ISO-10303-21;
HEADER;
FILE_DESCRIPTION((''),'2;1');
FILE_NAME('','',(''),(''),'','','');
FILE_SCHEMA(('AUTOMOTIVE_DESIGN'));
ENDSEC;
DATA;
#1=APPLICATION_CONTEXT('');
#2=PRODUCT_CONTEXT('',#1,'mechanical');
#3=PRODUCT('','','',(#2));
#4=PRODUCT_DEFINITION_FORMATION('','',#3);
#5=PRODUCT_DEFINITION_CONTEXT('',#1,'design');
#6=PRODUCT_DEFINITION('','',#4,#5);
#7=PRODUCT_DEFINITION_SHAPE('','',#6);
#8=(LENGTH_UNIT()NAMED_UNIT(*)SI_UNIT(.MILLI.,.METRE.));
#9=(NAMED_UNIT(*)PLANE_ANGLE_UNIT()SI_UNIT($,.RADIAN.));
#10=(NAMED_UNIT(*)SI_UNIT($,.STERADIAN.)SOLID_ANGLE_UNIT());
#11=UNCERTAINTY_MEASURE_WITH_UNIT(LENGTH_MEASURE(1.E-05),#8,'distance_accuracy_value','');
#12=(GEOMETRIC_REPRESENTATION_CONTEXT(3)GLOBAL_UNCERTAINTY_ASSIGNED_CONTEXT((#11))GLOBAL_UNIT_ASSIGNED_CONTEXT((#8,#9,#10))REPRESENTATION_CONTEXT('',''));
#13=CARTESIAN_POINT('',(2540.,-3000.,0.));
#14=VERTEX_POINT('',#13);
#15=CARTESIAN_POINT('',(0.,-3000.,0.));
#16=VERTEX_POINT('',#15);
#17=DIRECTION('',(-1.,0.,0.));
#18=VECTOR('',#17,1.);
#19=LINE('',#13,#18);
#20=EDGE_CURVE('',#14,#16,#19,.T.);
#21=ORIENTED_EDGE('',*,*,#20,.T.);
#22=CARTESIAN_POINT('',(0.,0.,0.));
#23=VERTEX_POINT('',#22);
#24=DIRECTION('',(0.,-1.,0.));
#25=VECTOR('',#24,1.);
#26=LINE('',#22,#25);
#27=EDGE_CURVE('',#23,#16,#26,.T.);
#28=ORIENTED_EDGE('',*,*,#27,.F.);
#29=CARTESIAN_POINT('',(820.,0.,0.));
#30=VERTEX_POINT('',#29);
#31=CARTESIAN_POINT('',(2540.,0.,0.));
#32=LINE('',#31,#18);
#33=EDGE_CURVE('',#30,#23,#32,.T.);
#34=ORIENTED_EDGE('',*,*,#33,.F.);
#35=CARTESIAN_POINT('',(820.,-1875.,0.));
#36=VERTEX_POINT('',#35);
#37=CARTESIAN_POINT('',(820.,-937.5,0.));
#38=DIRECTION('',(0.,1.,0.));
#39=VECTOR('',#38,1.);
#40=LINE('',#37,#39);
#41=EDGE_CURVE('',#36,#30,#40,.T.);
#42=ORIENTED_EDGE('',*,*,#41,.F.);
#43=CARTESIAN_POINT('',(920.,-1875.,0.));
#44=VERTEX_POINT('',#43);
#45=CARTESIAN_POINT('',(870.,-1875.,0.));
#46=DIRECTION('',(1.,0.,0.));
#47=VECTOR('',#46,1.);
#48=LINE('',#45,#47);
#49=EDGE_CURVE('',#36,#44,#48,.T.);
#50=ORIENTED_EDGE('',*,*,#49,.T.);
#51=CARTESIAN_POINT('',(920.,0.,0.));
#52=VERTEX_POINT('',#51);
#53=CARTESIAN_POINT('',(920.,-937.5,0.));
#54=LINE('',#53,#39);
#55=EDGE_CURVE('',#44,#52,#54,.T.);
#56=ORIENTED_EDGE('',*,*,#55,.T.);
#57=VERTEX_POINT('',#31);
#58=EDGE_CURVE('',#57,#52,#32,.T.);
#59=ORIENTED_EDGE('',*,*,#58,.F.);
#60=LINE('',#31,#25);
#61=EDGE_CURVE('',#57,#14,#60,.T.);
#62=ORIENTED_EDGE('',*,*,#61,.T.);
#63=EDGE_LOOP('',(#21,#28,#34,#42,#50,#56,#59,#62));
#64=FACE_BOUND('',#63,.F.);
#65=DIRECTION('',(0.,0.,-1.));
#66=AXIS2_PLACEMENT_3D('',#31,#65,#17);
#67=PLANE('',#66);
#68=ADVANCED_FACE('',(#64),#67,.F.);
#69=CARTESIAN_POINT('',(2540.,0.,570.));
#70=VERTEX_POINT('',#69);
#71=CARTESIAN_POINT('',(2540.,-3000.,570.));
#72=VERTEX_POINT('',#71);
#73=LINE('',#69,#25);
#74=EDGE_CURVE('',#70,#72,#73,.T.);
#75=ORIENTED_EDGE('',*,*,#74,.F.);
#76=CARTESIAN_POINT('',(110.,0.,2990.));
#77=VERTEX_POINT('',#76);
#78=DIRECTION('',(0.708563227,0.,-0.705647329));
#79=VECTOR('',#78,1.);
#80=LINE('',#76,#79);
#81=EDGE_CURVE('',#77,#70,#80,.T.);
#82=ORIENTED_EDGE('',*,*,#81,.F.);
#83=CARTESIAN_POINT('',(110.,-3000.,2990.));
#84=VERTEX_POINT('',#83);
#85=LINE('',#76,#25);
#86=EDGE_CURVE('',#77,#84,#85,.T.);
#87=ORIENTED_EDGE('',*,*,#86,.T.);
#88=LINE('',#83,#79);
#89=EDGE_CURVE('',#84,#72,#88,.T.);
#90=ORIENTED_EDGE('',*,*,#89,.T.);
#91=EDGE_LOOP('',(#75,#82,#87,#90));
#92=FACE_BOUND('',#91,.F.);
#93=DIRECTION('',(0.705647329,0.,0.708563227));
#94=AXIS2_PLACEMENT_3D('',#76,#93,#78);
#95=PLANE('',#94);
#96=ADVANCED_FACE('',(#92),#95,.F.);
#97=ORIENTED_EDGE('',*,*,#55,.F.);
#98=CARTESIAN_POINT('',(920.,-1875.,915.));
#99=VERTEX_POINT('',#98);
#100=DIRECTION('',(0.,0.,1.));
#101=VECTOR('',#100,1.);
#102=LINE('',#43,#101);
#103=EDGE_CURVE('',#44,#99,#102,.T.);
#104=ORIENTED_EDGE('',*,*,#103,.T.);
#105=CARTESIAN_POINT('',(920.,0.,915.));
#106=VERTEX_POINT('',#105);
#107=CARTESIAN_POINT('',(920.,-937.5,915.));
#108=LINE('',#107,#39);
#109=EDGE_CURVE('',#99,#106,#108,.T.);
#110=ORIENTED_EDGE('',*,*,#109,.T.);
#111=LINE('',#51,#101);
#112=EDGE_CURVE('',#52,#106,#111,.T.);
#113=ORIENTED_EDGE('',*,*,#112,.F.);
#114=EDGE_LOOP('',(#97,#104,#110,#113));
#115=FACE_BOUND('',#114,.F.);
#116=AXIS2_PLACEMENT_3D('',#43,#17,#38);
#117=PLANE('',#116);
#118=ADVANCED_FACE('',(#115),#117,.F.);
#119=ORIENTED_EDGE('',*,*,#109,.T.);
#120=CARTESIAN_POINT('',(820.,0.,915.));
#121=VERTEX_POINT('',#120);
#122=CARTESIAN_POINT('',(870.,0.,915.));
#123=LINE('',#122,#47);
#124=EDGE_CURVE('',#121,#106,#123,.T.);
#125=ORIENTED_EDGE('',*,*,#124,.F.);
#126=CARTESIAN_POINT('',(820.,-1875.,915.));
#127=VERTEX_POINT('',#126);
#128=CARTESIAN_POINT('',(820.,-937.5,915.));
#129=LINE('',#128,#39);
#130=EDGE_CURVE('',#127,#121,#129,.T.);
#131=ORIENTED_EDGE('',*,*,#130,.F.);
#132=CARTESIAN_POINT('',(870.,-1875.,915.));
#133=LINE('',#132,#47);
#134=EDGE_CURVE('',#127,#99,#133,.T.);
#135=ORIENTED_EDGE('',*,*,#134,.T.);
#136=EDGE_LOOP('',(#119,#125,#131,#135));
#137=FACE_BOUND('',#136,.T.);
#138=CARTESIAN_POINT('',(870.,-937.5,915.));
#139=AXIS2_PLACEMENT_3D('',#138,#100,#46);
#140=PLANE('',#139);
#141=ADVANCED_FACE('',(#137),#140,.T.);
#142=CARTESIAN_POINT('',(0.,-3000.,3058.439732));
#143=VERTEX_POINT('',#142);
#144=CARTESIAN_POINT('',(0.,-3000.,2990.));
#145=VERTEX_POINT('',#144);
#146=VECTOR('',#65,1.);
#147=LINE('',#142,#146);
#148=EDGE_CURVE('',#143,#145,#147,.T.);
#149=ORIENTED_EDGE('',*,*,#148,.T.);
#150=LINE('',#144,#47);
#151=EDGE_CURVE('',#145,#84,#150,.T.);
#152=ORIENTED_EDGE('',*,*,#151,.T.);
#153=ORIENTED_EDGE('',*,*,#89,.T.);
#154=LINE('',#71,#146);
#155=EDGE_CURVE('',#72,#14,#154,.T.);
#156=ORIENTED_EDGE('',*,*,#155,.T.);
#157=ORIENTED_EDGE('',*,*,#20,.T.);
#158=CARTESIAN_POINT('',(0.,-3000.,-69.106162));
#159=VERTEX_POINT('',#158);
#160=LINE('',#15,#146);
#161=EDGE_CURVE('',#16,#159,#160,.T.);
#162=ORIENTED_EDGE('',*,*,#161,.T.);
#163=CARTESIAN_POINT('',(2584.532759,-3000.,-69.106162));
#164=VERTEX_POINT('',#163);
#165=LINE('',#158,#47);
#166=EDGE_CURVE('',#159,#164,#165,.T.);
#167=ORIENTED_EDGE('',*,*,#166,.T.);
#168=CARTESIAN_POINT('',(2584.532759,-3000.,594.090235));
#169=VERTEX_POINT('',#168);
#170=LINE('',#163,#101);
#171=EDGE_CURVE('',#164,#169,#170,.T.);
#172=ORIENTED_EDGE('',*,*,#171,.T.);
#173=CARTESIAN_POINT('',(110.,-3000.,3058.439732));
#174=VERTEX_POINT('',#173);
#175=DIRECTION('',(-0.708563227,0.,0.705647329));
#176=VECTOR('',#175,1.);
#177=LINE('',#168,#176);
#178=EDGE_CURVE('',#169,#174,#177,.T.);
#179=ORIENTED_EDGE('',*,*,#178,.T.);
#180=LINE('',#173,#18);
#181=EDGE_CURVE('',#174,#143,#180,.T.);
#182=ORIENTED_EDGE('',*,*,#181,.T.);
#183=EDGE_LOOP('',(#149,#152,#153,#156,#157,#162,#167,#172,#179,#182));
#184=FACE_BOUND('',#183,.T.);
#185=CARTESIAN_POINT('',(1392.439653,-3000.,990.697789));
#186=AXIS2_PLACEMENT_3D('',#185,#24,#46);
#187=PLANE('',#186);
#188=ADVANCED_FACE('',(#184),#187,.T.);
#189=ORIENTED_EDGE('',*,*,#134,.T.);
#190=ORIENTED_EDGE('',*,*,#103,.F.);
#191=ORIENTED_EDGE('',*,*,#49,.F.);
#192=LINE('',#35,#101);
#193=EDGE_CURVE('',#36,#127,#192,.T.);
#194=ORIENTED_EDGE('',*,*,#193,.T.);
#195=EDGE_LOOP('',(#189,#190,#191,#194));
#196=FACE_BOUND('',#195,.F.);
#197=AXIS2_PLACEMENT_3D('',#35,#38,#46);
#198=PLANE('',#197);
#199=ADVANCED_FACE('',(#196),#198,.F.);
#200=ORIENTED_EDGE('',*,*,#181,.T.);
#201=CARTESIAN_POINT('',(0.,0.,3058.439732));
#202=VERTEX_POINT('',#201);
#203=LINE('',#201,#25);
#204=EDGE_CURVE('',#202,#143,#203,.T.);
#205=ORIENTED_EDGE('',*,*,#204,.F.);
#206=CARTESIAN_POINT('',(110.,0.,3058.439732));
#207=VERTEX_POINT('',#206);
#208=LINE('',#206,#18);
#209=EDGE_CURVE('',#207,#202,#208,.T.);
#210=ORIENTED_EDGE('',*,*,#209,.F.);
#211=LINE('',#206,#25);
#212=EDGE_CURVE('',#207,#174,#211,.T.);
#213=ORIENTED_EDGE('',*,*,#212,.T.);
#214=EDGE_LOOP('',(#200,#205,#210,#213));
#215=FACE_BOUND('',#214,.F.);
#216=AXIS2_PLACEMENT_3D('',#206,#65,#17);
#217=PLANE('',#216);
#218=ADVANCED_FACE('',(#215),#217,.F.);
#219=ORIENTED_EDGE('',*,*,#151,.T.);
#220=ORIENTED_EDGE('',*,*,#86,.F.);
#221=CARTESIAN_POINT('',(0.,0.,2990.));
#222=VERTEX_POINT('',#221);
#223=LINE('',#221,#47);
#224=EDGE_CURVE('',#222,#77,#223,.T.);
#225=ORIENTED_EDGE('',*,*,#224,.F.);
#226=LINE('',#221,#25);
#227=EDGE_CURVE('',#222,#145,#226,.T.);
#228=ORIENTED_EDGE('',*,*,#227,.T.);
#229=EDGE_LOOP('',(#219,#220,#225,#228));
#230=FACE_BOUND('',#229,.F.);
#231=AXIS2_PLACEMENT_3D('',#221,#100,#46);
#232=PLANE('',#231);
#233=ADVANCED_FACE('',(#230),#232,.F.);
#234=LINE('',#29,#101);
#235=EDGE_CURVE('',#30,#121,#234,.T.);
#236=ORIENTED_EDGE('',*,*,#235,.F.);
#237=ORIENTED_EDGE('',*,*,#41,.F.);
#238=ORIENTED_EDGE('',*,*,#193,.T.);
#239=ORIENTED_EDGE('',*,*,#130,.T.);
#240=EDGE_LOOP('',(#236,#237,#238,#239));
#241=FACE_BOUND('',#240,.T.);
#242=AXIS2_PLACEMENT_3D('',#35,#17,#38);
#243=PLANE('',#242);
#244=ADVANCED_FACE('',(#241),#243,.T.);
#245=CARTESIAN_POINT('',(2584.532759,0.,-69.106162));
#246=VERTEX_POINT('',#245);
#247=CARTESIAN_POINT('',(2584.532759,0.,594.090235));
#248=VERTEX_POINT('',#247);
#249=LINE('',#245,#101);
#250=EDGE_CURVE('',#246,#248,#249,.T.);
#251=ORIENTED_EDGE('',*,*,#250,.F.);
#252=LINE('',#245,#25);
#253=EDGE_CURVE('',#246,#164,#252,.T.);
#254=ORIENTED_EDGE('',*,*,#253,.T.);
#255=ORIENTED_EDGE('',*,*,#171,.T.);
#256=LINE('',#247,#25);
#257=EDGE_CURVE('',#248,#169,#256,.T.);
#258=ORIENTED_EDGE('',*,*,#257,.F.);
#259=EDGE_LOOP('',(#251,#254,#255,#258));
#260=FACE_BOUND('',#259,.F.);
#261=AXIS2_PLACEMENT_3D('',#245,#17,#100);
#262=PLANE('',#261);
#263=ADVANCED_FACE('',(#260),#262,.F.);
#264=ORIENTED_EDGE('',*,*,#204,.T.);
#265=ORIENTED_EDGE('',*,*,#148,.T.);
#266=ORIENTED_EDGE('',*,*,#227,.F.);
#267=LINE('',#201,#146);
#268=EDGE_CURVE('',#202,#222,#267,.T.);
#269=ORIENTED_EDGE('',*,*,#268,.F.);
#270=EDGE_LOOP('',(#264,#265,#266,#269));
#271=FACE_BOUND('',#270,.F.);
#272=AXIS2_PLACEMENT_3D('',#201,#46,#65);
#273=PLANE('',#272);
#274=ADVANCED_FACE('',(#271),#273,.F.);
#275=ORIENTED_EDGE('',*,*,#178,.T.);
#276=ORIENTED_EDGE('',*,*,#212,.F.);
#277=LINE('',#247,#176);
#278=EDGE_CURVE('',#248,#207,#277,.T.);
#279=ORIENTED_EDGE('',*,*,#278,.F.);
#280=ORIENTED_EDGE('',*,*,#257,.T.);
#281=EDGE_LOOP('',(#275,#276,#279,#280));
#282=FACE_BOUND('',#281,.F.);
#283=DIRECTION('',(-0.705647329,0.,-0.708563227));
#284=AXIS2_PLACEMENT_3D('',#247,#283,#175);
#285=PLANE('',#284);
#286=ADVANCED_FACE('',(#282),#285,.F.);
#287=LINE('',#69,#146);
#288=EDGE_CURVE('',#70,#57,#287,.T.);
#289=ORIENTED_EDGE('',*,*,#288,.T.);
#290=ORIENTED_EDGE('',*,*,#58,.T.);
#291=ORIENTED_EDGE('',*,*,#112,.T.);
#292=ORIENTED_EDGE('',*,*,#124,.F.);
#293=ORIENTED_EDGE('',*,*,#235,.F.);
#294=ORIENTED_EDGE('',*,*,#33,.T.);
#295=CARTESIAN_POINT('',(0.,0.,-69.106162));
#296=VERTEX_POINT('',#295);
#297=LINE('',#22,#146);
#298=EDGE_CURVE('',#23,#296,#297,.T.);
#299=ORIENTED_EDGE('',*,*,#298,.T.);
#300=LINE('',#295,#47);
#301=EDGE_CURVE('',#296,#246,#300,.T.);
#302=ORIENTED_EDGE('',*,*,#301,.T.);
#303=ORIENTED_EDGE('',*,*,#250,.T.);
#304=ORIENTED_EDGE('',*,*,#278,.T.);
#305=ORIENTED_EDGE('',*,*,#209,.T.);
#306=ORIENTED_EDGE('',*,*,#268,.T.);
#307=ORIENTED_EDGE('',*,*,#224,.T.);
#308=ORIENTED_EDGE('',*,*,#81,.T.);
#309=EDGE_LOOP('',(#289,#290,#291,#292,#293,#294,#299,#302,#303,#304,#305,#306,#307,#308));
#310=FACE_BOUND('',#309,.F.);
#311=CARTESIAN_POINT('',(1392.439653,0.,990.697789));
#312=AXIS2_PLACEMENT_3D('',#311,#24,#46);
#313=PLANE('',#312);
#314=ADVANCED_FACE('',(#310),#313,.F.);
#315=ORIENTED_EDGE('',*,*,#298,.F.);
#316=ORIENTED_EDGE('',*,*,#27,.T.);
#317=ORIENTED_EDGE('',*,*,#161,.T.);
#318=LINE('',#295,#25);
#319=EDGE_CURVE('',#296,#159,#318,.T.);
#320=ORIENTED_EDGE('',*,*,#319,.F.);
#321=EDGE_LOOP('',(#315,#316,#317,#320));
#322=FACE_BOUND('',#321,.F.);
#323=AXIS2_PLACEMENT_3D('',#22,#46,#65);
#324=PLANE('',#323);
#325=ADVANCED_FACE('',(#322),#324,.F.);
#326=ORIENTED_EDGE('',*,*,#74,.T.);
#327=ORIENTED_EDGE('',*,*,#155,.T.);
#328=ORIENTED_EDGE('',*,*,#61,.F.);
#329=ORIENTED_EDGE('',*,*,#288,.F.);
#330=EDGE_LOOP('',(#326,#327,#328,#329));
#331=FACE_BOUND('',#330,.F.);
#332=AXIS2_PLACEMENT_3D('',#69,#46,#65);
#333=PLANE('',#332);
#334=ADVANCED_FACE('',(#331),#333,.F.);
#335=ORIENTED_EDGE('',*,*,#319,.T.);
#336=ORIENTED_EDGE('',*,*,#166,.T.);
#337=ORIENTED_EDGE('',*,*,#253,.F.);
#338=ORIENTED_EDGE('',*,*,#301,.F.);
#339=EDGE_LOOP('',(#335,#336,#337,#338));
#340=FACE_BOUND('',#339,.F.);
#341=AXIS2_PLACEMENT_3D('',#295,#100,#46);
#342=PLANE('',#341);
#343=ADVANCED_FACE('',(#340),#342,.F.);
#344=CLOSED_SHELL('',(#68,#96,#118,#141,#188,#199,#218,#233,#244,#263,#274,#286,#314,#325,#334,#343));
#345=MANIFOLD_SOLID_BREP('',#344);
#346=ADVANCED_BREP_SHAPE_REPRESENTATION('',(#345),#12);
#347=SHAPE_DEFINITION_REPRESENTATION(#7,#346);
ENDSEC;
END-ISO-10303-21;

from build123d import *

# Parameters (mm, degrees)
F1_DEPTH = 3000
F2_W     = 100
F2_H     = 1875
F3_DEPTH = 915


with BuildPart() as f1:
    # F0 (on Front) → F1 (new body)
    with BuildSketch(Plane.XZ):
        Polygon((2540, 0), (0, 0), (0, -69.106162), (2584.532759, -69.106162), (2584.532759, 594.090235), (110, 3058.439732), (0, 3058.439732), (0, 2990), (110, 2990), (2540, 570), align=None)
    extrude(amount=F1_DEPTH)

    # F2 (on face) → F3 (join)
    with BuildSketch(Plane.XY):
        with Locations((870, -937.5)):
            Rectangle(F2_W, F2_H)
    extrude(amount=F3_DEPTH)


solid = f1.part
